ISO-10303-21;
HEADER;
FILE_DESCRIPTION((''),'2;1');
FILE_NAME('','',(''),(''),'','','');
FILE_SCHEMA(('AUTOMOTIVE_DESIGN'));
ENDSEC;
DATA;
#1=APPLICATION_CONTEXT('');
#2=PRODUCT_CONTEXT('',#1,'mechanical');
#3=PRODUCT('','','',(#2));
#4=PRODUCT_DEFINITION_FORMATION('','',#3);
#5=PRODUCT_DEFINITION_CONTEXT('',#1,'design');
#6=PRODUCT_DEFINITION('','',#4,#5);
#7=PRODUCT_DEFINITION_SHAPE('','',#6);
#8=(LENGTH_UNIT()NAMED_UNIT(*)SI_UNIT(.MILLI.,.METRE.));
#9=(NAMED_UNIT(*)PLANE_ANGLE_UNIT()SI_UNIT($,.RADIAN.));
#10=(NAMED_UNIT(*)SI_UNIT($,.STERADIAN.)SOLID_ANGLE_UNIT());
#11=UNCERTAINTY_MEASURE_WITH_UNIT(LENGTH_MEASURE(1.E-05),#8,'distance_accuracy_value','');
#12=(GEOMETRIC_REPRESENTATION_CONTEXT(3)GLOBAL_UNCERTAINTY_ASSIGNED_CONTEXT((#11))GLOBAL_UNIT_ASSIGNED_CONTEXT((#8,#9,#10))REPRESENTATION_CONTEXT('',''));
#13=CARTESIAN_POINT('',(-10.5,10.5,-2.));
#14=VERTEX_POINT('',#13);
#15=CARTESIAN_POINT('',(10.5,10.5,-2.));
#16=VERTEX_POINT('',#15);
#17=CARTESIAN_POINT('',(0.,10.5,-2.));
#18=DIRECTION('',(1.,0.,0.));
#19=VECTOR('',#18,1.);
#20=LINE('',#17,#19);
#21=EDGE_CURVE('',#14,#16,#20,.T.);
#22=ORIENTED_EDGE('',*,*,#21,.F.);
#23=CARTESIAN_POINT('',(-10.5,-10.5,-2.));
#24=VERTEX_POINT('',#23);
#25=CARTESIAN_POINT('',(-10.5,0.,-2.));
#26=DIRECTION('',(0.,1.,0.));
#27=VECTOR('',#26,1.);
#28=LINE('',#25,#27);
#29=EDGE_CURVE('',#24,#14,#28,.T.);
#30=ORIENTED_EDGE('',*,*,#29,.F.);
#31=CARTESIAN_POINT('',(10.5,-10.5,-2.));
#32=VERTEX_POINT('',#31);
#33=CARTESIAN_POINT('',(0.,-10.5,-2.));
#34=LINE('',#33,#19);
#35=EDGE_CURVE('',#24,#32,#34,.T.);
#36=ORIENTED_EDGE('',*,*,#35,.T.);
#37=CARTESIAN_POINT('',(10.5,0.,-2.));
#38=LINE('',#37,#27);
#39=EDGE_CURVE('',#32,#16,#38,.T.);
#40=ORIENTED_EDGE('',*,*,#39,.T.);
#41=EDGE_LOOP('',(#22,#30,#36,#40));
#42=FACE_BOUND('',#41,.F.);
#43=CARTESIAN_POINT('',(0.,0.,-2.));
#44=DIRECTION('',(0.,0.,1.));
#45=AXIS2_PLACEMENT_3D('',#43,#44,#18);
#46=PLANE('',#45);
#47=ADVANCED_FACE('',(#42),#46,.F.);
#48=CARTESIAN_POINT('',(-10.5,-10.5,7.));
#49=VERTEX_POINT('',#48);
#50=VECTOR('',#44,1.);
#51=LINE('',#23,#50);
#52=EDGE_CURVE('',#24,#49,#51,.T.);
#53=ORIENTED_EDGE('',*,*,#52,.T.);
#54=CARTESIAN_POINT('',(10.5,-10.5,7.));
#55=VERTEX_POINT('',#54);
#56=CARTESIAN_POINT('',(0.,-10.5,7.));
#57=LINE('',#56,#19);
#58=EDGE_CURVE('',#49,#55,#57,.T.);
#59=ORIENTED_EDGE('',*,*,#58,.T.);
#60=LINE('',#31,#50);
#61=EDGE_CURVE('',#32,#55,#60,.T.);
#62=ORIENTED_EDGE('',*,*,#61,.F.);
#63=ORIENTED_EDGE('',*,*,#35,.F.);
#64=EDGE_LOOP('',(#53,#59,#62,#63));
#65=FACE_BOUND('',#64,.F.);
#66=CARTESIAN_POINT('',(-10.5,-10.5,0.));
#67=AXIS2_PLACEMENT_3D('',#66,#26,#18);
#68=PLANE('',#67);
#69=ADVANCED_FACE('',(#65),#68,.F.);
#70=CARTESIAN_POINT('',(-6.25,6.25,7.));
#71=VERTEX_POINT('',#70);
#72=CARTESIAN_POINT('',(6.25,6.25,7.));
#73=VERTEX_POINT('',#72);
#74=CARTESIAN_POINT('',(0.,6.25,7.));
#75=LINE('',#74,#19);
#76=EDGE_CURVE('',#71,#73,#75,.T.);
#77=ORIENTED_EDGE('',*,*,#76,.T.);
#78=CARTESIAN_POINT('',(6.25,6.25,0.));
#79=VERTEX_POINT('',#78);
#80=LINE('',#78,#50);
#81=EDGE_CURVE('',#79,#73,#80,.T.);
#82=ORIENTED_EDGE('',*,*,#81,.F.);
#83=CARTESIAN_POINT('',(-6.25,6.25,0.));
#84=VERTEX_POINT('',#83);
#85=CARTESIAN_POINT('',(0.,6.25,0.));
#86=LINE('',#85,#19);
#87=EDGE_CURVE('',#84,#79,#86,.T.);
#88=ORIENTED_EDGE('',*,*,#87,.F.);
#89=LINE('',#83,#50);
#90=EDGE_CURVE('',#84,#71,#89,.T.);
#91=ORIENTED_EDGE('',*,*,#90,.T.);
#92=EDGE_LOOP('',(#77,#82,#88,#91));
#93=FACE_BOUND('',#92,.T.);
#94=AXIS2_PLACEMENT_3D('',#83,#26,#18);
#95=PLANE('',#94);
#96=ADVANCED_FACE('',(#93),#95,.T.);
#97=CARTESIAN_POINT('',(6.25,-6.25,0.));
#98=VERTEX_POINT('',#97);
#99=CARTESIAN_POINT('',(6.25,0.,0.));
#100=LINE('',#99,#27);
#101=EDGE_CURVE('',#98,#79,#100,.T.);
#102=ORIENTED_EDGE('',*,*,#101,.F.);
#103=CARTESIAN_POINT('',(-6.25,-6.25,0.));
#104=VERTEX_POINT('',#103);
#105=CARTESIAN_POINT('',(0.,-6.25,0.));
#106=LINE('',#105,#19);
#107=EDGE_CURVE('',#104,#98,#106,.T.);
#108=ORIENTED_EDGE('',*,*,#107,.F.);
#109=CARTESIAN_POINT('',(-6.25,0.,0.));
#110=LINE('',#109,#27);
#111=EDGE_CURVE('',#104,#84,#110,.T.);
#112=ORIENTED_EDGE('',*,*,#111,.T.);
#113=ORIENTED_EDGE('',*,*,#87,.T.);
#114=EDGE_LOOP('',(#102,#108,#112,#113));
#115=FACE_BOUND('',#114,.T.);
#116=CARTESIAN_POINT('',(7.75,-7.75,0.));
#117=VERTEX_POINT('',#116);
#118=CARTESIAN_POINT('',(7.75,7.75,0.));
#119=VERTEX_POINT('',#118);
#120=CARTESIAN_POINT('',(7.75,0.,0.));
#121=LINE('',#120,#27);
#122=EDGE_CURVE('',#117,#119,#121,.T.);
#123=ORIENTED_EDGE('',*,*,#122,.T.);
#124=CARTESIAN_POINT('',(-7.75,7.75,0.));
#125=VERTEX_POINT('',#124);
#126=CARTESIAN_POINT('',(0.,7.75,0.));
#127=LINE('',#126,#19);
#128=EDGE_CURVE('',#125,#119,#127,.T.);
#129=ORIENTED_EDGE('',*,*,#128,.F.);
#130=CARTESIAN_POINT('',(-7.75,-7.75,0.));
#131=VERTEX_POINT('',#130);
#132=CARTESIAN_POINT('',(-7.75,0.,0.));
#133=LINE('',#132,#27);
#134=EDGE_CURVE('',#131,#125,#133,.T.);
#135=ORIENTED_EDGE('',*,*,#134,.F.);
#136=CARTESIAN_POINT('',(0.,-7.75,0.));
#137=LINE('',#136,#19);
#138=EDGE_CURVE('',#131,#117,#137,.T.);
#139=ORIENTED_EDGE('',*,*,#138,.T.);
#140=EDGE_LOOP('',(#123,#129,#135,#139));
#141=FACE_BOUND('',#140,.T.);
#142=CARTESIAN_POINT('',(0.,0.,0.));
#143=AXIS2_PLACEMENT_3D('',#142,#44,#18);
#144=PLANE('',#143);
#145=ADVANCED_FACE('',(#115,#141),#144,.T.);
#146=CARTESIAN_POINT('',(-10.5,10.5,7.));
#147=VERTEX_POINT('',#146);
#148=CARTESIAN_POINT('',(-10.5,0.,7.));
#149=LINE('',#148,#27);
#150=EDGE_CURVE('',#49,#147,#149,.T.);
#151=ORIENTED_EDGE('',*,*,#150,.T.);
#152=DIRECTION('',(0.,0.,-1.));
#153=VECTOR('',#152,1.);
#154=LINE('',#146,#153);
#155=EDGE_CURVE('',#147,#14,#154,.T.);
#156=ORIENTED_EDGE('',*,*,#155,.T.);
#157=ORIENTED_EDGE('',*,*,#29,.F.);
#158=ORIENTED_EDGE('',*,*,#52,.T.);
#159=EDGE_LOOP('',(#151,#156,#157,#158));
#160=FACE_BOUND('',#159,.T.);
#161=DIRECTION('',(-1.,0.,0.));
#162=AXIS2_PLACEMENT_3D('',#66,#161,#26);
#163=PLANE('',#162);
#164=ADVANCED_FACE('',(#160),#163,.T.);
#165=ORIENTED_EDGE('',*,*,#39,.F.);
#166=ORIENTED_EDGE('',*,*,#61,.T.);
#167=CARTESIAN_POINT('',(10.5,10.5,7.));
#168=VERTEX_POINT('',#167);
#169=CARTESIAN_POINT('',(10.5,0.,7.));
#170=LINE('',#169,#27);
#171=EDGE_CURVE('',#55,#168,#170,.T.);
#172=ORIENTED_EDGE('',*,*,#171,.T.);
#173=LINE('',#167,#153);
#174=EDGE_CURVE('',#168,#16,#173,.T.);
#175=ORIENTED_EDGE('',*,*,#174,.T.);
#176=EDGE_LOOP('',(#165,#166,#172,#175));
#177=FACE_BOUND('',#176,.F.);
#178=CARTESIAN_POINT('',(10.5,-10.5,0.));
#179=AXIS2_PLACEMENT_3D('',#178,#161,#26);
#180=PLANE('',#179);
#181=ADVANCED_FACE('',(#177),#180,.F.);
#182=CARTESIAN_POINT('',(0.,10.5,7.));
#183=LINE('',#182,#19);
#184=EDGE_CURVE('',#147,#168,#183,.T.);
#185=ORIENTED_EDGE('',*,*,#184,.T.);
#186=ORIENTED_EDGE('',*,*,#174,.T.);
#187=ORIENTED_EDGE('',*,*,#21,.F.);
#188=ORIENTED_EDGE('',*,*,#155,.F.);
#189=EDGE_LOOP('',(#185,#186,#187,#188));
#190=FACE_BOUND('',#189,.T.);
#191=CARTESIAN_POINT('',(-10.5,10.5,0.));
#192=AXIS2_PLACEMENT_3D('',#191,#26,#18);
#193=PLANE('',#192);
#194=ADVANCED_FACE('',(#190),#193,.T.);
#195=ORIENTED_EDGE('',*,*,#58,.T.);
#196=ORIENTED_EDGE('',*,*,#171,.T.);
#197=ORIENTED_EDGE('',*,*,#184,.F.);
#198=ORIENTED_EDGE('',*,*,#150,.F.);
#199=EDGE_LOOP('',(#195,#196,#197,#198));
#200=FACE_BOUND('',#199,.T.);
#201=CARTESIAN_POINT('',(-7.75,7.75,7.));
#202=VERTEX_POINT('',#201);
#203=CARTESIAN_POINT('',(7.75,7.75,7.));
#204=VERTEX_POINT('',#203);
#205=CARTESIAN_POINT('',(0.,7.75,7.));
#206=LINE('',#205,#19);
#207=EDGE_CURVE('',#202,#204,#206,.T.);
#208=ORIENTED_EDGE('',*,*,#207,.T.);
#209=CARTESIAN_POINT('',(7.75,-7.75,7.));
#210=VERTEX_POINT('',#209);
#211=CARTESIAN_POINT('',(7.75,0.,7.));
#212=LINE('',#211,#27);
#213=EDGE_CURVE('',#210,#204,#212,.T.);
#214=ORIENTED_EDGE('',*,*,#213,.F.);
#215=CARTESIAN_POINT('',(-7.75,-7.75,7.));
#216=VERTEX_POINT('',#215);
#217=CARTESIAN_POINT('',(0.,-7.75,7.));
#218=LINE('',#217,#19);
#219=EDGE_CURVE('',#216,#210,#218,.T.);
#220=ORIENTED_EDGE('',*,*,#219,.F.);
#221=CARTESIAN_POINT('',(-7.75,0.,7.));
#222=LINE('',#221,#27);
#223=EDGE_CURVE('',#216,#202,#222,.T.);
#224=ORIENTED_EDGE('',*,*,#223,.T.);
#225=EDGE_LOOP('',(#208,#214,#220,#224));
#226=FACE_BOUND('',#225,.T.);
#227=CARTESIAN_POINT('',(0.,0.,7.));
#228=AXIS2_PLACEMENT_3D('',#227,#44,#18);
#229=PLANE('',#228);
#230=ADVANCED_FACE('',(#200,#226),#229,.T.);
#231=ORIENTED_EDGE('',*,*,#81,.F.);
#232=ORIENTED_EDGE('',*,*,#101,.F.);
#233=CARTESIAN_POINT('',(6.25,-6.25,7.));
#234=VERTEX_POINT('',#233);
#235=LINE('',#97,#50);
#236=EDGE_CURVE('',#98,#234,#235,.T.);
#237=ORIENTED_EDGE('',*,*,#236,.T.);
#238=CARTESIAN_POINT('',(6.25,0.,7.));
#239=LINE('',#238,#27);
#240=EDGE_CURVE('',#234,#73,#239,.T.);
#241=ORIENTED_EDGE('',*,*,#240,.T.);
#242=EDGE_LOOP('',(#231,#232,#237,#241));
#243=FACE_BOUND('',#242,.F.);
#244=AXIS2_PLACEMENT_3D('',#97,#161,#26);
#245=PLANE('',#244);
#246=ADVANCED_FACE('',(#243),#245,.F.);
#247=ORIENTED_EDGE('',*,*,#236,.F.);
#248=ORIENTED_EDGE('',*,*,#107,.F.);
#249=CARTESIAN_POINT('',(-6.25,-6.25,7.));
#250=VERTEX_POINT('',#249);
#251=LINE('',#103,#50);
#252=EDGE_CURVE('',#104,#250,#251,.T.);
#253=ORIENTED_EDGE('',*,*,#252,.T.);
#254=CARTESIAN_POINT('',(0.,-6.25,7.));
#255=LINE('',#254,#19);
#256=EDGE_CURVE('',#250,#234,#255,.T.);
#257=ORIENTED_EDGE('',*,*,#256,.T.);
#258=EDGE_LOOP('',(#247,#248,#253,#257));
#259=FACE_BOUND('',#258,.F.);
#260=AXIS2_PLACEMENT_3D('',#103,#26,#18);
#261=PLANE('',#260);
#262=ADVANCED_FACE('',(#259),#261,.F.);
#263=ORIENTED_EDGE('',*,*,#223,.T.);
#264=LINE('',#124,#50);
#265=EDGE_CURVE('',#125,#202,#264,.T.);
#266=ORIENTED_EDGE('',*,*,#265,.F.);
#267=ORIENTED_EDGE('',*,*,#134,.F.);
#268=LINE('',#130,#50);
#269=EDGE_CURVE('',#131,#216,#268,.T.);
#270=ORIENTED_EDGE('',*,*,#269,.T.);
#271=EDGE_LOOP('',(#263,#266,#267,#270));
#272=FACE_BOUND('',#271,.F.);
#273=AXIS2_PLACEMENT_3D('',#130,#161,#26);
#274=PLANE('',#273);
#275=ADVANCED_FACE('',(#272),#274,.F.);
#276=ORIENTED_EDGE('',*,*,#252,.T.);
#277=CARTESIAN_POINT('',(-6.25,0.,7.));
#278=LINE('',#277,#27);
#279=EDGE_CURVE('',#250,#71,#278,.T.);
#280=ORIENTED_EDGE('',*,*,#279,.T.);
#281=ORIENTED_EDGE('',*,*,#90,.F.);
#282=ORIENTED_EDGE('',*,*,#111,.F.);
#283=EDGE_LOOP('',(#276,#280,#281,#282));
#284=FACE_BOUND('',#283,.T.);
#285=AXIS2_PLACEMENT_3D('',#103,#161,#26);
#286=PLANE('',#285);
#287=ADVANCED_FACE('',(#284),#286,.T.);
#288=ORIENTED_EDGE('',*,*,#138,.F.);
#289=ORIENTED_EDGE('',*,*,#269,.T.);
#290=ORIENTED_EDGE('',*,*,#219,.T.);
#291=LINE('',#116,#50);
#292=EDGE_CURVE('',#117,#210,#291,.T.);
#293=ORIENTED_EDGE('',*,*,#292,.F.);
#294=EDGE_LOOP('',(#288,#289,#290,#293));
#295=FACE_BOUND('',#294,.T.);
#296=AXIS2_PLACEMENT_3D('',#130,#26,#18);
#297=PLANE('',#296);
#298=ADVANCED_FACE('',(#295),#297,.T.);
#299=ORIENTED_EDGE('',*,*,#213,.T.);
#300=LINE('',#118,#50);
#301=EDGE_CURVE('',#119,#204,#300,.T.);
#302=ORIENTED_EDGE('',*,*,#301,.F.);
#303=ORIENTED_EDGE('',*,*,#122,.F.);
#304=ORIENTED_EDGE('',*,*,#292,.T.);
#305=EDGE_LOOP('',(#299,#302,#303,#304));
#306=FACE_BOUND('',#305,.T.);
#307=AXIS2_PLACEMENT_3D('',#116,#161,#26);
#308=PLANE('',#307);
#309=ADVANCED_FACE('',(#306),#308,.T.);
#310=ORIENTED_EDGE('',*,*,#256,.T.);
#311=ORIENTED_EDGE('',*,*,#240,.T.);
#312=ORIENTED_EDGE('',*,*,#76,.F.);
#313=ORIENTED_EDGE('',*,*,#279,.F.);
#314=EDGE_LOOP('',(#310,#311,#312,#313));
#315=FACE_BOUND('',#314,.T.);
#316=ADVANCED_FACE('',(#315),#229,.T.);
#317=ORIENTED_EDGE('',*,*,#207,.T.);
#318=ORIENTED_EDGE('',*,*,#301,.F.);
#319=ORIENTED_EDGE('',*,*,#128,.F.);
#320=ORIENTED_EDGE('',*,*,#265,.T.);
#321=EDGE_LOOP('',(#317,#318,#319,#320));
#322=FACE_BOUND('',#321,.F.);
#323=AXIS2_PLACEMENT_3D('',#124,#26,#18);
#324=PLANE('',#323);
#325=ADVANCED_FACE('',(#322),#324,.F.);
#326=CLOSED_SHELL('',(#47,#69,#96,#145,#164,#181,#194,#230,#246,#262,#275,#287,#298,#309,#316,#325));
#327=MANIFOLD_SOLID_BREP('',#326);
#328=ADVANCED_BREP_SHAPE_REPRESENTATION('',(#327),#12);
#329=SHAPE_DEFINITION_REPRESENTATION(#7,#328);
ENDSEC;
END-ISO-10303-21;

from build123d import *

# Parameters (mm, degrees)
F0_W     = 21
F0_H     = 21
F0_W_2   = 15.5
F0_H_2   = 15.5
F0_W_3   = 12.5
F0_H_3   = 12.5
F1_DEPTH = 2
F2_DEPTH = 7


with BuildPart() as f1:
    # F0 (on Top) → F1 (new body)
    with BuildSketch(Plane.XY):
        Rectangle(F0_W, F0_H)
        Rectangle(F0_W_2, F0_H_2, mode=Mode.SUBTRACT)
        Rectangle(F0_W_2, F0_H_2)
        Rectangle(F0_W_3, F0_H_3, mode=Mode.SUBTRACT)
        Rectangle(F0_W_3, F0_H_3)
    extrude(amount=-F1_DEPTH)

    # F0 (on Top) → F2 (join)
    with BuildSketch(Plane.XY):
        Rectangle(F0_W, F0_H)
        Rectangle(F0_W_2, F0_H_2, mode=Mode.SUBTRACT)
        Rectangle(F0_W_3, F0_H_3)
    extrude(amount=F2_DEPTH)


solid = f1.part
